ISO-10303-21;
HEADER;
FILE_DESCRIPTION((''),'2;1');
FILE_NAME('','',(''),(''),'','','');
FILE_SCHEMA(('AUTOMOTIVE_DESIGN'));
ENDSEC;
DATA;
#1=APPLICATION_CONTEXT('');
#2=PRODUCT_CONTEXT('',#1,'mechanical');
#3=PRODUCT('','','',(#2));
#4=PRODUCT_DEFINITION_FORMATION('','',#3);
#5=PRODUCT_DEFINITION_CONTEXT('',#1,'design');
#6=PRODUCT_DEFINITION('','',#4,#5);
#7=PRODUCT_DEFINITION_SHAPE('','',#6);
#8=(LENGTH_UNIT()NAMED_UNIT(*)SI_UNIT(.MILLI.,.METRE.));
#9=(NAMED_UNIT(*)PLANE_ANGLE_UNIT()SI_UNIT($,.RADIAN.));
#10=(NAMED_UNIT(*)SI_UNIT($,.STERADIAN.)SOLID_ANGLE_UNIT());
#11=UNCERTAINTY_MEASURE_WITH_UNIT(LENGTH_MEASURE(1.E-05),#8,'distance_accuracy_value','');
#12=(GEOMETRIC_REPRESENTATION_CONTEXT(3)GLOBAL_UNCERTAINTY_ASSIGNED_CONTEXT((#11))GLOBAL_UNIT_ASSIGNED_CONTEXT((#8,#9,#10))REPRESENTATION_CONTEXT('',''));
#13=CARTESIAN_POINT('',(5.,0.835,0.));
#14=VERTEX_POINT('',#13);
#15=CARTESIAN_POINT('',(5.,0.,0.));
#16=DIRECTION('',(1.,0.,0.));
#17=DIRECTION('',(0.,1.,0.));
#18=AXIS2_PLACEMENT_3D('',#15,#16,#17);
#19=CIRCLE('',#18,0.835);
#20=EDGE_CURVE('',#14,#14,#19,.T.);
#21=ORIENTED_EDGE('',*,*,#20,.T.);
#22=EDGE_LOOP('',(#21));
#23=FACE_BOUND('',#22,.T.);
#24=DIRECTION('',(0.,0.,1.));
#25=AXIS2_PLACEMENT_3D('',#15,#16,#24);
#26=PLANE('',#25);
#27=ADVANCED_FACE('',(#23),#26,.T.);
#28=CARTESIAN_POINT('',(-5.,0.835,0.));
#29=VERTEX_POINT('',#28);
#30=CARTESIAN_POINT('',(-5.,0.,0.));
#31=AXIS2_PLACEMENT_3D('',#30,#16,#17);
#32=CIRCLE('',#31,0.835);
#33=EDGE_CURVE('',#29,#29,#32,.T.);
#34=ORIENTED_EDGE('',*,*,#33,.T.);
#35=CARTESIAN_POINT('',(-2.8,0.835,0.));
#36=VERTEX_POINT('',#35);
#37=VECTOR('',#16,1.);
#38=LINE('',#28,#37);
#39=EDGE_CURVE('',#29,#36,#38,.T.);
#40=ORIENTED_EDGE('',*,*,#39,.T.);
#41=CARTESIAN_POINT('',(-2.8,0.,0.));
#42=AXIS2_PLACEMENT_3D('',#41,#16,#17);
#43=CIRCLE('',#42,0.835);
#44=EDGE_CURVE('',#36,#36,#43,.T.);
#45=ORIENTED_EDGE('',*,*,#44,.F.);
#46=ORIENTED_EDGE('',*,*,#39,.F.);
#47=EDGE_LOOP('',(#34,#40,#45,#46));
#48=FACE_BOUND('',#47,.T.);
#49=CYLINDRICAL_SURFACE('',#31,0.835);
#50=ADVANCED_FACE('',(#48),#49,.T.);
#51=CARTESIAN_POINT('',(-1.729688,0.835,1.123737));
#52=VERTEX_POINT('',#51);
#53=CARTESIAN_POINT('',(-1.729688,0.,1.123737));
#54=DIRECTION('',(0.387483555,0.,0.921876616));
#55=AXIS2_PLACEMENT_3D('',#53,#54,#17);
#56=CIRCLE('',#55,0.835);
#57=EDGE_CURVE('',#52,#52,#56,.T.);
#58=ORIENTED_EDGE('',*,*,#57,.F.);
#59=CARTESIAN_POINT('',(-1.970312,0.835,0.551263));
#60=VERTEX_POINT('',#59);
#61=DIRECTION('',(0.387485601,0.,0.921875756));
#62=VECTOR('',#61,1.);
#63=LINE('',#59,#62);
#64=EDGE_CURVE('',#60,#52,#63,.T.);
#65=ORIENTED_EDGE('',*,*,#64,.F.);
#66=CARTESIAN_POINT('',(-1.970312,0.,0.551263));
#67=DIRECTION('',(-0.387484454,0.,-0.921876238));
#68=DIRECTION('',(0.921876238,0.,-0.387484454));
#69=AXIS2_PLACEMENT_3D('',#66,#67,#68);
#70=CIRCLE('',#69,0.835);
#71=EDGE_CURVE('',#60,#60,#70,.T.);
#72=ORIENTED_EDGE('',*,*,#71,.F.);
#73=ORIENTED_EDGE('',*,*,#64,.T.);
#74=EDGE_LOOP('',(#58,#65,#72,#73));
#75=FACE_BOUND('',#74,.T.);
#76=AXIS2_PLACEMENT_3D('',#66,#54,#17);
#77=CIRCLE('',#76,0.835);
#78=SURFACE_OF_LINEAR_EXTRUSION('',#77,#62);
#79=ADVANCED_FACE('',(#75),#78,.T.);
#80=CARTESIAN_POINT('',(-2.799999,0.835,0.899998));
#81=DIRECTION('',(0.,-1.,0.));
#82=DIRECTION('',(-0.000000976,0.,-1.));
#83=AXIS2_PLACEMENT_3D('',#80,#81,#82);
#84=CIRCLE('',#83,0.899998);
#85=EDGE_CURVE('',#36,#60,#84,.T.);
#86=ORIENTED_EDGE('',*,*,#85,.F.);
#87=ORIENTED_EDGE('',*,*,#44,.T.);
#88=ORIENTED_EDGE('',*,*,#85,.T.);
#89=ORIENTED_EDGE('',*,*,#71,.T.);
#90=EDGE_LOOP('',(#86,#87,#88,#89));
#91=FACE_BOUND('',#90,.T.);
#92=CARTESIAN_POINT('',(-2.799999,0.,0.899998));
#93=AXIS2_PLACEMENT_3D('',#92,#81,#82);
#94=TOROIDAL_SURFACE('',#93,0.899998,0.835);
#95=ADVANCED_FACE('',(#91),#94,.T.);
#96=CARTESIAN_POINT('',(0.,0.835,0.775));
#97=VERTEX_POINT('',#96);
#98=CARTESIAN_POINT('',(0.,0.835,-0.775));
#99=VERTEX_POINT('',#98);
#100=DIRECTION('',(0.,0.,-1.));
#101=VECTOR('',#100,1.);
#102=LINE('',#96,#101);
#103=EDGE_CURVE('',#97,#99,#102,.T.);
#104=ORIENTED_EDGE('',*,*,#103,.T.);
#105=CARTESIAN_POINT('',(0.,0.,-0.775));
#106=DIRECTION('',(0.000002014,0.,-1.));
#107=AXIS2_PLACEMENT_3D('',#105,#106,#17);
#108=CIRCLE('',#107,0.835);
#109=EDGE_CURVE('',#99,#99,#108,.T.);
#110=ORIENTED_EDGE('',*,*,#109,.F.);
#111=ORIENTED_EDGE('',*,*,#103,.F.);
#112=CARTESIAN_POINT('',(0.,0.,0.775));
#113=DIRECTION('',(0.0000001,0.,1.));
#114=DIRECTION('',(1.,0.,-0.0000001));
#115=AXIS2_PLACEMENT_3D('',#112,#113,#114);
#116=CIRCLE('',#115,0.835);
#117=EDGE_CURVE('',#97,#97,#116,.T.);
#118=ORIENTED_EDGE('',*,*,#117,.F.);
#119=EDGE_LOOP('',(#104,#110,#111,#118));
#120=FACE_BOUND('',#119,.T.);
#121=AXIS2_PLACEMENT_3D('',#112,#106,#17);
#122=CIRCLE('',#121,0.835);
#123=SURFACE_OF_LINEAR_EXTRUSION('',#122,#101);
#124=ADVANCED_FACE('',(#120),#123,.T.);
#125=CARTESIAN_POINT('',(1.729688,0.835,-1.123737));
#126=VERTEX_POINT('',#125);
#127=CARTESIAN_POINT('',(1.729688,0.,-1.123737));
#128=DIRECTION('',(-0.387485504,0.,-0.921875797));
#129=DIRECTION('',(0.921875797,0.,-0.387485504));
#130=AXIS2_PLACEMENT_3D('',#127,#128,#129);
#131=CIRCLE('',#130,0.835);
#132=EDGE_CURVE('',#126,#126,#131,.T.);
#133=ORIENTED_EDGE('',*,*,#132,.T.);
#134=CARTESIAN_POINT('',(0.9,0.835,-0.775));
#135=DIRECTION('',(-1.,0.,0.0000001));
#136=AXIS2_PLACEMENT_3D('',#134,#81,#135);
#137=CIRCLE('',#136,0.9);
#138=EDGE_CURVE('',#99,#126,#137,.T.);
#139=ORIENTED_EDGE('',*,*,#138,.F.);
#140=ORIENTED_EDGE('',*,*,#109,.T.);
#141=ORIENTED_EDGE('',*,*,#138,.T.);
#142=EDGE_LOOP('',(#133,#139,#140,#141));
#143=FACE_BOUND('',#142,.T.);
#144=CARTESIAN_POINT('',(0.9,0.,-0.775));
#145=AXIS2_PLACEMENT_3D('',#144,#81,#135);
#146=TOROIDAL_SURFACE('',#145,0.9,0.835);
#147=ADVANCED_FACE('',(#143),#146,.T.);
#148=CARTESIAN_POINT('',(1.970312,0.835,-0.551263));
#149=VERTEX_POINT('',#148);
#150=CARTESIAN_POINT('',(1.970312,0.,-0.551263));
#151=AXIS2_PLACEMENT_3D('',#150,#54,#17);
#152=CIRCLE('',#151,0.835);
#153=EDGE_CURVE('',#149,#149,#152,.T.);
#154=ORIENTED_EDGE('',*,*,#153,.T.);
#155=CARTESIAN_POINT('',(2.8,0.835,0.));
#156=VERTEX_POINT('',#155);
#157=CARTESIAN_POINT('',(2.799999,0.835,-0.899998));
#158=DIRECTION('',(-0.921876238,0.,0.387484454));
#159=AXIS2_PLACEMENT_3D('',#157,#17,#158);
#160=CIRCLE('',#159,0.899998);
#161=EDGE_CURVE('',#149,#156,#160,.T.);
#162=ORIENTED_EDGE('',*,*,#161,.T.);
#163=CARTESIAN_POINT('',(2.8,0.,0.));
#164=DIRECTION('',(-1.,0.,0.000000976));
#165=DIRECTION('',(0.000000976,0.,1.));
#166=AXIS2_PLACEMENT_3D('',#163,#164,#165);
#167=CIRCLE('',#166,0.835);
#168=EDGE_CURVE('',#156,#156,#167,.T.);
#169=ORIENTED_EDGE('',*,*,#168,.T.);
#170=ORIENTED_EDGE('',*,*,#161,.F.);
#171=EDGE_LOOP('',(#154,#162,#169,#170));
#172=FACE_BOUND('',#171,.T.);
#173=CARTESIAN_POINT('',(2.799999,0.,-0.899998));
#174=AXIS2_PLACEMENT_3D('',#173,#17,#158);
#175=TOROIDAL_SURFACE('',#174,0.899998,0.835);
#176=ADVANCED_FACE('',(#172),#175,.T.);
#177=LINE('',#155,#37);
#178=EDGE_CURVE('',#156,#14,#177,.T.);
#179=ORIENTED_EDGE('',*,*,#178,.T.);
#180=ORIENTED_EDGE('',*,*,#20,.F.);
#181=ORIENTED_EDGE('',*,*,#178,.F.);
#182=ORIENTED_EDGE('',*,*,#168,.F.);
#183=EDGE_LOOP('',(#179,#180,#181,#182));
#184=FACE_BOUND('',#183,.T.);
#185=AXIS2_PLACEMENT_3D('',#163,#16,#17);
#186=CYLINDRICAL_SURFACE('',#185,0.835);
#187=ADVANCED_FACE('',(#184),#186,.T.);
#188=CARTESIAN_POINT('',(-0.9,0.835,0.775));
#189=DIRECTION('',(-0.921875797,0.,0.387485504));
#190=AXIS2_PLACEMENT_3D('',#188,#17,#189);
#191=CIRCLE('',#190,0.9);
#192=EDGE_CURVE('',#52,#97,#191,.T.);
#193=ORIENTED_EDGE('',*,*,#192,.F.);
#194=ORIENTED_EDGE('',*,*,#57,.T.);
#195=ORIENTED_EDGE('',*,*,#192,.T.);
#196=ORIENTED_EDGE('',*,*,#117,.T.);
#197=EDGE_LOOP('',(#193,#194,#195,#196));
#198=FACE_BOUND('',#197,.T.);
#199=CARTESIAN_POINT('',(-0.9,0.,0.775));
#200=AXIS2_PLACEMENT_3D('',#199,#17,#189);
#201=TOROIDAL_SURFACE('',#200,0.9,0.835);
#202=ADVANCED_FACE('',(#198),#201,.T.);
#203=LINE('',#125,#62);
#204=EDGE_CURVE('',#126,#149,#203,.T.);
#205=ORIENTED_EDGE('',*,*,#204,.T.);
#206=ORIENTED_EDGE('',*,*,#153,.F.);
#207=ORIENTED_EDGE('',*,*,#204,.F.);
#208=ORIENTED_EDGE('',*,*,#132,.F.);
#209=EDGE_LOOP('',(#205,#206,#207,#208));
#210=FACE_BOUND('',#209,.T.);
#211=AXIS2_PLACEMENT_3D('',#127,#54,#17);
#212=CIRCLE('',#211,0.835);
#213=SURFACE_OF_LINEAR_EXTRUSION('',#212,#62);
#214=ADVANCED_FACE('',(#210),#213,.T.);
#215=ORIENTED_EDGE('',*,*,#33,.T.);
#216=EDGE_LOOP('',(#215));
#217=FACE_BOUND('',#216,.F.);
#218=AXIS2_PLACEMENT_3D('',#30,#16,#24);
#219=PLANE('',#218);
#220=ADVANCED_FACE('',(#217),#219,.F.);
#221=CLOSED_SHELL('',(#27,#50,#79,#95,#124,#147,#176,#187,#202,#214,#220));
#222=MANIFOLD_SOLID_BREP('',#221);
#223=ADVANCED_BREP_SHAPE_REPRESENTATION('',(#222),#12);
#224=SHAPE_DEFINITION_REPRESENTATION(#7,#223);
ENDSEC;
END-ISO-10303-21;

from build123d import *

# Parameters (mm, degrees)
F2_R = 0.835


with BuildPart() as f3:
    # F3: sweep along a path in F0
    with BuildLine(Plane.XZ) as f3_path:
        Line((-5, 0), (-2.8, 0))
        ThreePointArc((-2.8, 0), (-2.301935, 0.150379), (-1.970312, 0.551263))
        Line((-1.970312, 0.551263), (-1.729688, 1.123737))
        ThreePointArc((-1.729688, 1.123737), (-0.722123, 1.657247), (0, 0.775))
        Line((0, 0.775), (0, 0))
        Line((0, 0), (0, -0.775))
        ThreePointArc((0, -0.775), (0.722123, -1.657247), (1.729688, -1.123737))
        Line((1.729688, -1.123737), (1.970312, -0.551263))
        ThreePointArc((1.970312, -0.551263), (2.301935, -0.150379), (2.8, 0))
        Line((2.8, 0), (5, 0))
    # F2 (on plane+point) → F3 (sweep)
    with BuildSketch(Plane.YZ.offset(-5)):
        Circle(F2_R)
    sweep(path=f3_path.line)


solid = f3.part
